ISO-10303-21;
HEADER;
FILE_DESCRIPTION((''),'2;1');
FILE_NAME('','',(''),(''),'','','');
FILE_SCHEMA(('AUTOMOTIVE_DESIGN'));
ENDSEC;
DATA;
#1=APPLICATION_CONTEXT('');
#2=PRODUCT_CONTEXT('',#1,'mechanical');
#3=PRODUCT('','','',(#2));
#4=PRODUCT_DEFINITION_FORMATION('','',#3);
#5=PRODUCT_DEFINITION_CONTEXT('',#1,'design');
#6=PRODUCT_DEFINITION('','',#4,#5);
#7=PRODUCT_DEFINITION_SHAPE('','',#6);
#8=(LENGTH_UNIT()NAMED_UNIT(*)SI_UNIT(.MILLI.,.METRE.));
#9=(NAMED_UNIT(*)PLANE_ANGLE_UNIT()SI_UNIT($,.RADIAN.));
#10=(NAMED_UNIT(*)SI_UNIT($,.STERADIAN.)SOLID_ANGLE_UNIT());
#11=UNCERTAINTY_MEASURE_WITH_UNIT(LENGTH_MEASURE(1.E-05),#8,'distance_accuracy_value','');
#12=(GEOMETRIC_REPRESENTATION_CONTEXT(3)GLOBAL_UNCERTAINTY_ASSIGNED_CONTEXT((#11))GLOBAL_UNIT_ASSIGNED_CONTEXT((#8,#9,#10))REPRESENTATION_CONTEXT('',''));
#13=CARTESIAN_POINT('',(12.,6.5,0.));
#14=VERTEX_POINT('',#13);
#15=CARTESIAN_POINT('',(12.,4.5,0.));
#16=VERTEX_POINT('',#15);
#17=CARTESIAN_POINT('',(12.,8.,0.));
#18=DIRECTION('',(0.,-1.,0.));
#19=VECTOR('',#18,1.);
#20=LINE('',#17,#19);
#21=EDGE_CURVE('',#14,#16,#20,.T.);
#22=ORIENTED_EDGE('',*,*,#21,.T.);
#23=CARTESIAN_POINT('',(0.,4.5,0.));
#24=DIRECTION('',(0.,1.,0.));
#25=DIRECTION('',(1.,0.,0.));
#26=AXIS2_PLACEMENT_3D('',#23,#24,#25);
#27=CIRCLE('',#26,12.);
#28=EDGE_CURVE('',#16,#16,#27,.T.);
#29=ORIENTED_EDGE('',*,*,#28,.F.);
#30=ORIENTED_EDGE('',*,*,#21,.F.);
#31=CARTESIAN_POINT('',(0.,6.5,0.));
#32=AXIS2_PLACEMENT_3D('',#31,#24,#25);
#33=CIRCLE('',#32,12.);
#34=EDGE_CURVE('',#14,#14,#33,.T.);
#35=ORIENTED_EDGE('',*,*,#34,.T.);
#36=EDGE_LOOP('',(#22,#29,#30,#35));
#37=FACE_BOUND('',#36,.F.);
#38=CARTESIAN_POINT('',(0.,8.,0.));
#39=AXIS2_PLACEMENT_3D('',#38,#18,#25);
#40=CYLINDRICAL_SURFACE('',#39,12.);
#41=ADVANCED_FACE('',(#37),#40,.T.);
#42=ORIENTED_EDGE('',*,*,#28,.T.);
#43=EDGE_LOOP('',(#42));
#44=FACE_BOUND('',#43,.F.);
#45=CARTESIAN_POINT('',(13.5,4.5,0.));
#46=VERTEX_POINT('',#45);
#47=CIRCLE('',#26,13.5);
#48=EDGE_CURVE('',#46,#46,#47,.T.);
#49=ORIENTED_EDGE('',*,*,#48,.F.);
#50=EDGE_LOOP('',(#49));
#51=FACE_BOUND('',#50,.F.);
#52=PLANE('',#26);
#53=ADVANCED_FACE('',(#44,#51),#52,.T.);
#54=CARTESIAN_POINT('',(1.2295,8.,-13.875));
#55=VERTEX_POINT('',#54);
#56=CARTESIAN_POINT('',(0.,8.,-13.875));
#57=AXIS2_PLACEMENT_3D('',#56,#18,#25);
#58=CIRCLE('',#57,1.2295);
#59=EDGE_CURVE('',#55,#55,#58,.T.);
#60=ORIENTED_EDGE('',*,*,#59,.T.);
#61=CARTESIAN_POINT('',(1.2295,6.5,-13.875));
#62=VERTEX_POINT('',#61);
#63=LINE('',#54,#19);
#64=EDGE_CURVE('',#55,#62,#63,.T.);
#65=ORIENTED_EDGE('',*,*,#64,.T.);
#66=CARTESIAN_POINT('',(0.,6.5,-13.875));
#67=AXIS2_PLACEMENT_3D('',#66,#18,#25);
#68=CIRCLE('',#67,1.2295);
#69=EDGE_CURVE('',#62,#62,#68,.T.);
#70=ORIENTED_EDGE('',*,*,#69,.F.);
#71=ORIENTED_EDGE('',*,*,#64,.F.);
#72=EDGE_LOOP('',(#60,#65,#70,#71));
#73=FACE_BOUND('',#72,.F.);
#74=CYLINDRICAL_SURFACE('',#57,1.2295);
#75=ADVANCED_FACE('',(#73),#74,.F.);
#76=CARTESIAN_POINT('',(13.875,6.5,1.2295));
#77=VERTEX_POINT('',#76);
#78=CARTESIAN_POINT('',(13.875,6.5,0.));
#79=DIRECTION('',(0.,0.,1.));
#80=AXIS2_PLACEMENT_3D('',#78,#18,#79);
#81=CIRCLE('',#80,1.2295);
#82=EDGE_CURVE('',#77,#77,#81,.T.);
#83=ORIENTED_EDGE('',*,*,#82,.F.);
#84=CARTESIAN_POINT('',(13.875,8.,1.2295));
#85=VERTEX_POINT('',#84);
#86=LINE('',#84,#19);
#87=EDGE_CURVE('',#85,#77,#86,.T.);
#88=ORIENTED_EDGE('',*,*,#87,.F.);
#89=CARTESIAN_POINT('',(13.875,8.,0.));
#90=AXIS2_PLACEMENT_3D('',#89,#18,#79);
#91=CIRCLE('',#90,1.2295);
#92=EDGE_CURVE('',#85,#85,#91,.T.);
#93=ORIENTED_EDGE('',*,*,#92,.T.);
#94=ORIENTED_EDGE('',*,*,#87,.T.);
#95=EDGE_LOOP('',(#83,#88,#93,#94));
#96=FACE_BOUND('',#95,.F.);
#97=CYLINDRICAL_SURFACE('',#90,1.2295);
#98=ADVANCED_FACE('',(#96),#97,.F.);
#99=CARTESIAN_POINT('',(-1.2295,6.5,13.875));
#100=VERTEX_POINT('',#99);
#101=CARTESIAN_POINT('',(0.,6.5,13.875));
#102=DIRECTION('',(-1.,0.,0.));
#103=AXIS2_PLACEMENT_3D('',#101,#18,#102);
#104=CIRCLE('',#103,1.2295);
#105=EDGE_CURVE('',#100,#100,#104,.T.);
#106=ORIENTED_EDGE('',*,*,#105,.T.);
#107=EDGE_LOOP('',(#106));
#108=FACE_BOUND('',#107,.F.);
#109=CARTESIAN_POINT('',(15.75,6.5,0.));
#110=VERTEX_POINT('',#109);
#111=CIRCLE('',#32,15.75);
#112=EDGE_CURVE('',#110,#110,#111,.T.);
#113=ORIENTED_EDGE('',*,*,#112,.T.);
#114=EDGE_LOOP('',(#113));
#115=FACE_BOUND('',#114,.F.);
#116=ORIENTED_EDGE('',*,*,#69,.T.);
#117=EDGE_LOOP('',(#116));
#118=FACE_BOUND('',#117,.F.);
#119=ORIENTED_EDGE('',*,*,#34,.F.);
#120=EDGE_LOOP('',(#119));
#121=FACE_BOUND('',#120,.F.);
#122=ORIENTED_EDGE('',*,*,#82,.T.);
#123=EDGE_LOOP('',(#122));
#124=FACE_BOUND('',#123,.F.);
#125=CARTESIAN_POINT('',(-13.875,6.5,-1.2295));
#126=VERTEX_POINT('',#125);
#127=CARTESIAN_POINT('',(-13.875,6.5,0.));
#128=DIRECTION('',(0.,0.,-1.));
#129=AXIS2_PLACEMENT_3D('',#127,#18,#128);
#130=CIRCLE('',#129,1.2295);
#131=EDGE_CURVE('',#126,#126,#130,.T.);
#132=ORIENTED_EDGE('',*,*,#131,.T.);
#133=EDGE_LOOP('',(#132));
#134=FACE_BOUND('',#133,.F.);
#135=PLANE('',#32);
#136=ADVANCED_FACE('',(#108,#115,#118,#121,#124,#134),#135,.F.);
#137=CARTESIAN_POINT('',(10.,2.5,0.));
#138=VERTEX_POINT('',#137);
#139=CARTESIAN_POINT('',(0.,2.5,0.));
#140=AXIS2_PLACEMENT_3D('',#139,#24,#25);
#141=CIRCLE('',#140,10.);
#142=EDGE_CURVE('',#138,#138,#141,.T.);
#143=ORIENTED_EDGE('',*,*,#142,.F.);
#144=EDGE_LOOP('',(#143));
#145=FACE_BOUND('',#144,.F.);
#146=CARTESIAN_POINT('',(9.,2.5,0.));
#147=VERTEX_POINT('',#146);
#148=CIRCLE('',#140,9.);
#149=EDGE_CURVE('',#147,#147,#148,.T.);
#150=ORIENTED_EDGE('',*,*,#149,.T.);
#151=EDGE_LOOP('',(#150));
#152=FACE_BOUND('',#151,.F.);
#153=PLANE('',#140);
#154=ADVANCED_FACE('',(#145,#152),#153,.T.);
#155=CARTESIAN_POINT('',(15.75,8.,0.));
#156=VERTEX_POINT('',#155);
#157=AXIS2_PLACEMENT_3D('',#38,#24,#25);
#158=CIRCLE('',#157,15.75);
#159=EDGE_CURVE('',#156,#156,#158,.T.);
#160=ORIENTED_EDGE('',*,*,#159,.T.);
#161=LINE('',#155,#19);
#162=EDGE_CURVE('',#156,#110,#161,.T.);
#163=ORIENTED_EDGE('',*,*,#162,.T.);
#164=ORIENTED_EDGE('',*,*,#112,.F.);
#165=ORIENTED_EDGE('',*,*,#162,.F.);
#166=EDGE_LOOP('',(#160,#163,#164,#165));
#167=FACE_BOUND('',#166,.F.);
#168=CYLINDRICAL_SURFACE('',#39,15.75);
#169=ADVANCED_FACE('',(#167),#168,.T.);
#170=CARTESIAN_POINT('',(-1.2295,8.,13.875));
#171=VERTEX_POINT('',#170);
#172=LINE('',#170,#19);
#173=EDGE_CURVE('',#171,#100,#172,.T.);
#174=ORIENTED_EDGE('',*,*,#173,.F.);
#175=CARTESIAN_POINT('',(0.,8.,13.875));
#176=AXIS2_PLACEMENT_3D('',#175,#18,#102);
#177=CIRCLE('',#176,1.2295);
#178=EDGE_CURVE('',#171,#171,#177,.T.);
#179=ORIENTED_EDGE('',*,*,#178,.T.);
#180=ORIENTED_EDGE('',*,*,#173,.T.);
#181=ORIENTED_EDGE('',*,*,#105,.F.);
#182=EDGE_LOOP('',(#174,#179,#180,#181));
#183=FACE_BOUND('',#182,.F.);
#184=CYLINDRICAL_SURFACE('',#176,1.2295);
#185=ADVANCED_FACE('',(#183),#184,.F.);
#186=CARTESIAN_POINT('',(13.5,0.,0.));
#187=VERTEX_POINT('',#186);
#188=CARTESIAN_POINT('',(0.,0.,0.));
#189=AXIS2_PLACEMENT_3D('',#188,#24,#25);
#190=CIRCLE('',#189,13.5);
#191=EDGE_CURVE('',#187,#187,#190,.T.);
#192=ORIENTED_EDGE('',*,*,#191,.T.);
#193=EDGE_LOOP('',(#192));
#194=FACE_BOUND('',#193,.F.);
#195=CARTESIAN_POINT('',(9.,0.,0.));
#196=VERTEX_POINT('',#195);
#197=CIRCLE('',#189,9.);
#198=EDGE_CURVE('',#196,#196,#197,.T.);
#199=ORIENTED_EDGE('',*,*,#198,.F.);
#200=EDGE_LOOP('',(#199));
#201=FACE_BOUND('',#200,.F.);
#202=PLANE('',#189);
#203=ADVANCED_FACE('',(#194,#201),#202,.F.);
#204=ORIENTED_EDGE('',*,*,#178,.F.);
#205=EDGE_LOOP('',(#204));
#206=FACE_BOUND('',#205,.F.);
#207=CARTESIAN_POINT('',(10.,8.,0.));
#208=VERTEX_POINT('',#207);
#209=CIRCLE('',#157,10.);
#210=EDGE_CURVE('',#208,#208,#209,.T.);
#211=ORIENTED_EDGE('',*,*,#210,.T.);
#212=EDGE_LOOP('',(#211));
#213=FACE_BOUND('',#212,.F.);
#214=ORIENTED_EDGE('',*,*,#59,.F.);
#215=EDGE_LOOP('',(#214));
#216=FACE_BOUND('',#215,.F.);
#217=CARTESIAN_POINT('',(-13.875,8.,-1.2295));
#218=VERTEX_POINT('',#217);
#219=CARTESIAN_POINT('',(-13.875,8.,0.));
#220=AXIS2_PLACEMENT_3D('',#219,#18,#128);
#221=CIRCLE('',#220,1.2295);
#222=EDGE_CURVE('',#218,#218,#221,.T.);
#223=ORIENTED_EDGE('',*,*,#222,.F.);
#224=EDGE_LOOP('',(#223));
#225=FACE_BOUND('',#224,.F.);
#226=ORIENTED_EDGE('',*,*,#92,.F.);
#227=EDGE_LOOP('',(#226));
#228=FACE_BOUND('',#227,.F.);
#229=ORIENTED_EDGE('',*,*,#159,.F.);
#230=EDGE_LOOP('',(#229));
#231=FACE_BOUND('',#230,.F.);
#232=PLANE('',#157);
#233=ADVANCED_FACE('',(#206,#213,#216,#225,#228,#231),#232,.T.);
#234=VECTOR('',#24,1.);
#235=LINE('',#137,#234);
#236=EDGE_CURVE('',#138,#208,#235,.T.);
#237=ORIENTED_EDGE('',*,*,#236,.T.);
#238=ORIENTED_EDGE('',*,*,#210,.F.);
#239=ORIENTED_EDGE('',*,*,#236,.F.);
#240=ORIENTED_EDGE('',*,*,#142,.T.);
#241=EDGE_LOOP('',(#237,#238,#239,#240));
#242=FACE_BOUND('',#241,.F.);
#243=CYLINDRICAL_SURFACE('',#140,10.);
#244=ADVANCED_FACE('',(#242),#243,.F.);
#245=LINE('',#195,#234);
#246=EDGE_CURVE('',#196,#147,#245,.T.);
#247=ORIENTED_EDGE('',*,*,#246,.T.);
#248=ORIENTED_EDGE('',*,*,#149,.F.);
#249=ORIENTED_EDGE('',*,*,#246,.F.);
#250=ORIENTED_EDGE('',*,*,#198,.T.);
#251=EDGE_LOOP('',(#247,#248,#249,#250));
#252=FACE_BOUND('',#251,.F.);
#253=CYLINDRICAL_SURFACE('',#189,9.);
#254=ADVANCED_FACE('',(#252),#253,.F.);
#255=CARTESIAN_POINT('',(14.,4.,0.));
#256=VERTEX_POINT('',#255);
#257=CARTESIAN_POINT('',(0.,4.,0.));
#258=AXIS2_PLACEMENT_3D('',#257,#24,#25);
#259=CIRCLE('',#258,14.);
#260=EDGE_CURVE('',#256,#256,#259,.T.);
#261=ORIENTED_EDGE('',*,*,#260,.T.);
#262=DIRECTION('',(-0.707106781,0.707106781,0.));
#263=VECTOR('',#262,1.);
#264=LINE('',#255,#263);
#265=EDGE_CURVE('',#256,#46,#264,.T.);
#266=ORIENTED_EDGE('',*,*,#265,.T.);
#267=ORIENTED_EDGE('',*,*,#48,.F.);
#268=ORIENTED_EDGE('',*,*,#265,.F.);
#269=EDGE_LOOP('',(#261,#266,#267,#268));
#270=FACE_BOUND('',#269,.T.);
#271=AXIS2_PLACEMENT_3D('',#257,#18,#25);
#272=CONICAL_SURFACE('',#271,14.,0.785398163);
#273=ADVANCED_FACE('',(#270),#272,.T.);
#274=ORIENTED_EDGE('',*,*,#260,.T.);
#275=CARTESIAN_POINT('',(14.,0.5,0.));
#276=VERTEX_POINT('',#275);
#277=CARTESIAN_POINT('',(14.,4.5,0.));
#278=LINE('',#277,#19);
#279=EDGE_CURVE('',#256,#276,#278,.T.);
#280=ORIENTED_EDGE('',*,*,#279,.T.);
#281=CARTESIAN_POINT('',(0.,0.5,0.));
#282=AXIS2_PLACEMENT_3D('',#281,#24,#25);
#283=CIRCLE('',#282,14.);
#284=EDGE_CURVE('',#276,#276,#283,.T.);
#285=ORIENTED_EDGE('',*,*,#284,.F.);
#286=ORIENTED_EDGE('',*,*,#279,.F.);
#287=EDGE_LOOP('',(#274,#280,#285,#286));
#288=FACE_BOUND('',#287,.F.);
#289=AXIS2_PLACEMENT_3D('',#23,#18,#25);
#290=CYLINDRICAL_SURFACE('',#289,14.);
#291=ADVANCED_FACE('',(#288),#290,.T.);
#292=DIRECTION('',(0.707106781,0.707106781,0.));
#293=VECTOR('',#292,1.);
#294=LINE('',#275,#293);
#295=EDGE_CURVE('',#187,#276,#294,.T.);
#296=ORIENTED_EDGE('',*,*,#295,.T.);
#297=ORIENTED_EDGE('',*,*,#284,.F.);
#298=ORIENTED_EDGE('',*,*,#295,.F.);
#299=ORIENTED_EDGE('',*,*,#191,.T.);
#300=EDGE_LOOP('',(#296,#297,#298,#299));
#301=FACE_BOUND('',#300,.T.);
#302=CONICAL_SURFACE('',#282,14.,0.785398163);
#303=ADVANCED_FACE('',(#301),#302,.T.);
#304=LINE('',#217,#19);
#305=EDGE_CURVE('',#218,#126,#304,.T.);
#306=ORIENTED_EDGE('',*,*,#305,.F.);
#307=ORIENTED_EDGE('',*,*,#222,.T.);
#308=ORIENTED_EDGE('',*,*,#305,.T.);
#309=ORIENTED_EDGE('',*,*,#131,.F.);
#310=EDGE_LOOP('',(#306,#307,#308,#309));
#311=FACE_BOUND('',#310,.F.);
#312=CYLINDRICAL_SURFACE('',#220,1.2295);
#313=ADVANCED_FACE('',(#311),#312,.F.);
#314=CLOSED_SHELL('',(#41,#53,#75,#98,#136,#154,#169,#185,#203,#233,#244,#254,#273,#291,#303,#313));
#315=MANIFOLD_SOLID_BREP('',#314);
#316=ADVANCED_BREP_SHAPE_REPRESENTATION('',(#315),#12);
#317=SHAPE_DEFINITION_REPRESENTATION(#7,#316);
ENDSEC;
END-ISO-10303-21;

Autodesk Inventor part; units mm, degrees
ref_plane "YZ Plane" through (0, 0, 0) normal (1, 0, 0) x (0, 1, 0)
ref_plane "XZ Plane" through (0, 0, 0) normal (0, 1, 0) x (-1, 0, 0)
ref_plane "XY Plane" through (0, 0, 0) normal (0, 0, 1) x (1, 0, 0)
sketch "Sketch1" plane through (0, 0, 0) normal (0, 0, 1) x (1, 0, 0)
  line L0 (0, 0) -> (0, 8)
  line L1 (9, 0) -> (9, 2.5)
  line L2 (9, 2.5) -> (10, 2.5)
  line L3 (10, 2.5) -> (10, 8)
  line L4 (10, 8) -> (12, 8)
  line L5 (12, 8) -> (12, 4.5)
  line L6 (12, 4.5) -> (14, 4.5)
  line L7 (14, 4.5) -> (14, 0)
  line L8 (14, 0) -> (9, 0)
  line L9 (12, 8) -> (15.75, 8)
  line L10 (15.75, 8) -> (15.75, 6.5)
  line L11 (15.75, 6.5) -> (12, 6.5)
  dimension "d0" = 18
  dimension "d2" = 2
  dimension "d3" = 2
  dimension "d4" = 4.5
  dimension "d5" = 20
  dimension "d13" = 28
  dimension "d14" = 1.5
  dimension "d15" = 31.5
  dimension "d28" = 2
revolve "Revolution1" add sketch "Sketch1" angle 360 about axis through (0, 0, 0) along (0, 1, 0)
chamfer "Chamfer1" distance 0.5 angle 45 2 edges at (-14, 4.5, 0) (-14, 0, 0)
thread "Thread1" size "M28x1" class "6g" standard "ANSI Metric M Profile" full length
sketch "Sketch3" plane through (0, 8, 0) normal (0, 1, 0) x (1, 0, 0)
  circle A0 centre (0, 0) radius 15.75 projected
  circle A1 centre (0, 0) radius 12 projected
  line L0 (12, 0) -> (15.75, 0)
  point P0 (13.875, 0)
hole "Hole2" at (13.875, 8, 0) direction (0, -1, 0) diameter 2.459 depth 1.5 thread size "M3x0.5" class "6H" standard "ISO Metric profile"
pattern_circular "Circular Pattern2" count 4 over 360 about axis through (0, 5.25, 0) along (0, -1, 0) of "Hole2"
equation "\"d3\" = d2"
properties part number "018"
